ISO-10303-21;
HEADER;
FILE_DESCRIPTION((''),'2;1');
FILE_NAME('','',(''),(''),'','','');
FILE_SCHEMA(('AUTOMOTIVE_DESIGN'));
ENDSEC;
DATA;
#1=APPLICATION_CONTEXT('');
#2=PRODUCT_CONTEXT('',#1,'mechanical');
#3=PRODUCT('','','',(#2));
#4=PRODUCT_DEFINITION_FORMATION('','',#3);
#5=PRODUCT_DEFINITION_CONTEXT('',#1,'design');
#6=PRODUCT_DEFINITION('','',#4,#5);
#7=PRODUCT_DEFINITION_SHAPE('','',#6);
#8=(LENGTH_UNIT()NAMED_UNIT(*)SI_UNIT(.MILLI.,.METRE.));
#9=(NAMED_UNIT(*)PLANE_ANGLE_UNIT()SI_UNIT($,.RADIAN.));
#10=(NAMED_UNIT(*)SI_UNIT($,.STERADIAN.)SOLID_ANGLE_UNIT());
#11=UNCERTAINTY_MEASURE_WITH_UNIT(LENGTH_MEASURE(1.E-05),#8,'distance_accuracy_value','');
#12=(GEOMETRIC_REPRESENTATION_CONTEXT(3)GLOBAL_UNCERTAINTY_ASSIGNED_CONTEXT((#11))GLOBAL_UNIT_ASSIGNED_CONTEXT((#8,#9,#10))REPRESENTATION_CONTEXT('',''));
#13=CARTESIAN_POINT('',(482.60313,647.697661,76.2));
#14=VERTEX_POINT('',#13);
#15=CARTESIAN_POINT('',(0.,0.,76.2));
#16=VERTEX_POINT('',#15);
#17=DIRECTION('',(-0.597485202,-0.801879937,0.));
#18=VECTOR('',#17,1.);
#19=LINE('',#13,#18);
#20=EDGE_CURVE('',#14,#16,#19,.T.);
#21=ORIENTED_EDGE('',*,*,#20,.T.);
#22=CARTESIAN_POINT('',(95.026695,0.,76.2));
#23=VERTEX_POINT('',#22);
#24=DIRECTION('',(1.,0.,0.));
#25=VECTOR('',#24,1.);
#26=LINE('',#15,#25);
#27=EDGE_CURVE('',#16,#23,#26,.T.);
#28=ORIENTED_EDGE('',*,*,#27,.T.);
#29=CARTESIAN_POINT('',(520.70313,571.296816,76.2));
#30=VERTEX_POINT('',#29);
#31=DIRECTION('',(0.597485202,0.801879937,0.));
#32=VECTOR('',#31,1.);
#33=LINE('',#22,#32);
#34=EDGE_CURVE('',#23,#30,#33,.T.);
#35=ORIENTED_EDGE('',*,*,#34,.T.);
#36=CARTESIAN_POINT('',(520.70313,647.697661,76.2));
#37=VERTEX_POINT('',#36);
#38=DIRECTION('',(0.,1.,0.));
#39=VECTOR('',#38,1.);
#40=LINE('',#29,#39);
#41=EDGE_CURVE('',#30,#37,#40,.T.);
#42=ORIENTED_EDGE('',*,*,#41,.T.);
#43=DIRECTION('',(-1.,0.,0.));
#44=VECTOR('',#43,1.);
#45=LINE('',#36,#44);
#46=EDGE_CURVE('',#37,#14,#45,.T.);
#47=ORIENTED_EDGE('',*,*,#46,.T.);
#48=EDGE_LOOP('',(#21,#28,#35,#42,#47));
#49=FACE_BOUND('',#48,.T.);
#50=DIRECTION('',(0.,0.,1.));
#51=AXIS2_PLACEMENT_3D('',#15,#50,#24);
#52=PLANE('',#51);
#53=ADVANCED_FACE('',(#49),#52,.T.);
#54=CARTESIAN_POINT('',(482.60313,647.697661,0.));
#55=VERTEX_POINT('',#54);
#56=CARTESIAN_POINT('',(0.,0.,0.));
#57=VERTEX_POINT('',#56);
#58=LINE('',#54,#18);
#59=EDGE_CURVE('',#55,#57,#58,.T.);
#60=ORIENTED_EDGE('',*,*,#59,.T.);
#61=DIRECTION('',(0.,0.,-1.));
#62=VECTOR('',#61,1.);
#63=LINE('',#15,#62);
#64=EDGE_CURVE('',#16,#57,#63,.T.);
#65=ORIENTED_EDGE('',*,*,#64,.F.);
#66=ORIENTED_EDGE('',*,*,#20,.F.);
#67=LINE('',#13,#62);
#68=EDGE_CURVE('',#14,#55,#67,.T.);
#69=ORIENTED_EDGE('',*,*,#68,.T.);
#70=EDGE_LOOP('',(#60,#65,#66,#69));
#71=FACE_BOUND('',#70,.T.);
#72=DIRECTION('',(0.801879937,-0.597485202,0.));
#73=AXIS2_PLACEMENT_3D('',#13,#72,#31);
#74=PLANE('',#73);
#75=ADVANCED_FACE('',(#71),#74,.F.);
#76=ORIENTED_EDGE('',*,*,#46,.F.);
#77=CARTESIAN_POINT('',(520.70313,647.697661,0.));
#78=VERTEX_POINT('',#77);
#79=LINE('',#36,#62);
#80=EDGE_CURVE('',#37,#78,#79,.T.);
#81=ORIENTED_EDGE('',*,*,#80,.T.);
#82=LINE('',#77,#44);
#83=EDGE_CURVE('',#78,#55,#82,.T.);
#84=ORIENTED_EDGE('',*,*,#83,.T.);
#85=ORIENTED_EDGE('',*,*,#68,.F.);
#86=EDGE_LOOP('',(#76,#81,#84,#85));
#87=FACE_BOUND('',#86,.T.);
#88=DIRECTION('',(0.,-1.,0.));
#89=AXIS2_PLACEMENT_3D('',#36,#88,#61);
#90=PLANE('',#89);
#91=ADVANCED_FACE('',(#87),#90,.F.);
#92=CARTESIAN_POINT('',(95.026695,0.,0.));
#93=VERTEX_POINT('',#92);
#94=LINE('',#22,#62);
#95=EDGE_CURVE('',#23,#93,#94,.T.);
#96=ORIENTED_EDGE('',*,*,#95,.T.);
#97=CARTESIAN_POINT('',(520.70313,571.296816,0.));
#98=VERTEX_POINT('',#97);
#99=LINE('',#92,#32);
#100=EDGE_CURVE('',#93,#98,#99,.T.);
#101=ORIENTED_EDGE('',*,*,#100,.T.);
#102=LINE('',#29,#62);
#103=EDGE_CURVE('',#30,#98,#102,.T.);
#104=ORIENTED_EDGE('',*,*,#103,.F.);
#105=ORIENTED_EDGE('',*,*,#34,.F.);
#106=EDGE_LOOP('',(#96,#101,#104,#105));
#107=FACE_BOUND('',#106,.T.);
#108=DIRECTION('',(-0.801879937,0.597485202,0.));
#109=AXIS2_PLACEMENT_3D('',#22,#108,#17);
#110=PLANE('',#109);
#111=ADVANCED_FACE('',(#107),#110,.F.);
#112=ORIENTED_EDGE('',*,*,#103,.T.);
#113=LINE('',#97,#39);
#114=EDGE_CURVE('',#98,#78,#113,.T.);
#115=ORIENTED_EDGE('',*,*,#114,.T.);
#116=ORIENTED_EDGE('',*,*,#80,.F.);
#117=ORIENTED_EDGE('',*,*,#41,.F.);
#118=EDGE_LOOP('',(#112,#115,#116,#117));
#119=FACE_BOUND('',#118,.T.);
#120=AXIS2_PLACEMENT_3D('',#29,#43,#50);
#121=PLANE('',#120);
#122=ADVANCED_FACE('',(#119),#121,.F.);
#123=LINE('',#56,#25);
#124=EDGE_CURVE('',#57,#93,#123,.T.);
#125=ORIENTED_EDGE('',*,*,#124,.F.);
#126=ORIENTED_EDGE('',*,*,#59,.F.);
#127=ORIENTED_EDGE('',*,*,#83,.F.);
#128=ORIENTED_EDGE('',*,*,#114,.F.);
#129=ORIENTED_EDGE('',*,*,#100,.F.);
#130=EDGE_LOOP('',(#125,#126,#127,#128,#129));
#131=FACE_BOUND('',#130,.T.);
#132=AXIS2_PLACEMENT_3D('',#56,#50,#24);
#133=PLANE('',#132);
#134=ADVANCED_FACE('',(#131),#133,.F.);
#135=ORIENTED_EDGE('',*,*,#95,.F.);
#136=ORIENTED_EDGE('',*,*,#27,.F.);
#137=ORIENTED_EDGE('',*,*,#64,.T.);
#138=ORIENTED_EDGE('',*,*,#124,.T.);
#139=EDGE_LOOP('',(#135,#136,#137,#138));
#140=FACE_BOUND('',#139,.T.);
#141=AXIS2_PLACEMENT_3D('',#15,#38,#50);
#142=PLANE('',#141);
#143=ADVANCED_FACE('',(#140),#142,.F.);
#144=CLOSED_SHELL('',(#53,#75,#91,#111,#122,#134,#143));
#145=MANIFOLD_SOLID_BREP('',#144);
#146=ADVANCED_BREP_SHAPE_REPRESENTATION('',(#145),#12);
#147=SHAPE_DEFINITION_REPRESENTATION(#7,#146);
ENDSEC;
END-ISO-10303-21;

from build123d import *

# Parameters (mm, degrees)
BOSS_EXTRUDE1_DEPTH = 76.2


with BuildPart() as part:
    # Sketch1 → Boss-Extrude1 (new body)
    with BuildSketch(Plane.XY):
        Polygon((0, 0), (95.026694716, 0), (520.703129708, 571.296815506), (520.703129708, 647.69766069), (482.603129708, 647.69766069), align=None)
    extrude(amount=BOSS_EXTRUDE1_DEPTH)


solid = part.part
